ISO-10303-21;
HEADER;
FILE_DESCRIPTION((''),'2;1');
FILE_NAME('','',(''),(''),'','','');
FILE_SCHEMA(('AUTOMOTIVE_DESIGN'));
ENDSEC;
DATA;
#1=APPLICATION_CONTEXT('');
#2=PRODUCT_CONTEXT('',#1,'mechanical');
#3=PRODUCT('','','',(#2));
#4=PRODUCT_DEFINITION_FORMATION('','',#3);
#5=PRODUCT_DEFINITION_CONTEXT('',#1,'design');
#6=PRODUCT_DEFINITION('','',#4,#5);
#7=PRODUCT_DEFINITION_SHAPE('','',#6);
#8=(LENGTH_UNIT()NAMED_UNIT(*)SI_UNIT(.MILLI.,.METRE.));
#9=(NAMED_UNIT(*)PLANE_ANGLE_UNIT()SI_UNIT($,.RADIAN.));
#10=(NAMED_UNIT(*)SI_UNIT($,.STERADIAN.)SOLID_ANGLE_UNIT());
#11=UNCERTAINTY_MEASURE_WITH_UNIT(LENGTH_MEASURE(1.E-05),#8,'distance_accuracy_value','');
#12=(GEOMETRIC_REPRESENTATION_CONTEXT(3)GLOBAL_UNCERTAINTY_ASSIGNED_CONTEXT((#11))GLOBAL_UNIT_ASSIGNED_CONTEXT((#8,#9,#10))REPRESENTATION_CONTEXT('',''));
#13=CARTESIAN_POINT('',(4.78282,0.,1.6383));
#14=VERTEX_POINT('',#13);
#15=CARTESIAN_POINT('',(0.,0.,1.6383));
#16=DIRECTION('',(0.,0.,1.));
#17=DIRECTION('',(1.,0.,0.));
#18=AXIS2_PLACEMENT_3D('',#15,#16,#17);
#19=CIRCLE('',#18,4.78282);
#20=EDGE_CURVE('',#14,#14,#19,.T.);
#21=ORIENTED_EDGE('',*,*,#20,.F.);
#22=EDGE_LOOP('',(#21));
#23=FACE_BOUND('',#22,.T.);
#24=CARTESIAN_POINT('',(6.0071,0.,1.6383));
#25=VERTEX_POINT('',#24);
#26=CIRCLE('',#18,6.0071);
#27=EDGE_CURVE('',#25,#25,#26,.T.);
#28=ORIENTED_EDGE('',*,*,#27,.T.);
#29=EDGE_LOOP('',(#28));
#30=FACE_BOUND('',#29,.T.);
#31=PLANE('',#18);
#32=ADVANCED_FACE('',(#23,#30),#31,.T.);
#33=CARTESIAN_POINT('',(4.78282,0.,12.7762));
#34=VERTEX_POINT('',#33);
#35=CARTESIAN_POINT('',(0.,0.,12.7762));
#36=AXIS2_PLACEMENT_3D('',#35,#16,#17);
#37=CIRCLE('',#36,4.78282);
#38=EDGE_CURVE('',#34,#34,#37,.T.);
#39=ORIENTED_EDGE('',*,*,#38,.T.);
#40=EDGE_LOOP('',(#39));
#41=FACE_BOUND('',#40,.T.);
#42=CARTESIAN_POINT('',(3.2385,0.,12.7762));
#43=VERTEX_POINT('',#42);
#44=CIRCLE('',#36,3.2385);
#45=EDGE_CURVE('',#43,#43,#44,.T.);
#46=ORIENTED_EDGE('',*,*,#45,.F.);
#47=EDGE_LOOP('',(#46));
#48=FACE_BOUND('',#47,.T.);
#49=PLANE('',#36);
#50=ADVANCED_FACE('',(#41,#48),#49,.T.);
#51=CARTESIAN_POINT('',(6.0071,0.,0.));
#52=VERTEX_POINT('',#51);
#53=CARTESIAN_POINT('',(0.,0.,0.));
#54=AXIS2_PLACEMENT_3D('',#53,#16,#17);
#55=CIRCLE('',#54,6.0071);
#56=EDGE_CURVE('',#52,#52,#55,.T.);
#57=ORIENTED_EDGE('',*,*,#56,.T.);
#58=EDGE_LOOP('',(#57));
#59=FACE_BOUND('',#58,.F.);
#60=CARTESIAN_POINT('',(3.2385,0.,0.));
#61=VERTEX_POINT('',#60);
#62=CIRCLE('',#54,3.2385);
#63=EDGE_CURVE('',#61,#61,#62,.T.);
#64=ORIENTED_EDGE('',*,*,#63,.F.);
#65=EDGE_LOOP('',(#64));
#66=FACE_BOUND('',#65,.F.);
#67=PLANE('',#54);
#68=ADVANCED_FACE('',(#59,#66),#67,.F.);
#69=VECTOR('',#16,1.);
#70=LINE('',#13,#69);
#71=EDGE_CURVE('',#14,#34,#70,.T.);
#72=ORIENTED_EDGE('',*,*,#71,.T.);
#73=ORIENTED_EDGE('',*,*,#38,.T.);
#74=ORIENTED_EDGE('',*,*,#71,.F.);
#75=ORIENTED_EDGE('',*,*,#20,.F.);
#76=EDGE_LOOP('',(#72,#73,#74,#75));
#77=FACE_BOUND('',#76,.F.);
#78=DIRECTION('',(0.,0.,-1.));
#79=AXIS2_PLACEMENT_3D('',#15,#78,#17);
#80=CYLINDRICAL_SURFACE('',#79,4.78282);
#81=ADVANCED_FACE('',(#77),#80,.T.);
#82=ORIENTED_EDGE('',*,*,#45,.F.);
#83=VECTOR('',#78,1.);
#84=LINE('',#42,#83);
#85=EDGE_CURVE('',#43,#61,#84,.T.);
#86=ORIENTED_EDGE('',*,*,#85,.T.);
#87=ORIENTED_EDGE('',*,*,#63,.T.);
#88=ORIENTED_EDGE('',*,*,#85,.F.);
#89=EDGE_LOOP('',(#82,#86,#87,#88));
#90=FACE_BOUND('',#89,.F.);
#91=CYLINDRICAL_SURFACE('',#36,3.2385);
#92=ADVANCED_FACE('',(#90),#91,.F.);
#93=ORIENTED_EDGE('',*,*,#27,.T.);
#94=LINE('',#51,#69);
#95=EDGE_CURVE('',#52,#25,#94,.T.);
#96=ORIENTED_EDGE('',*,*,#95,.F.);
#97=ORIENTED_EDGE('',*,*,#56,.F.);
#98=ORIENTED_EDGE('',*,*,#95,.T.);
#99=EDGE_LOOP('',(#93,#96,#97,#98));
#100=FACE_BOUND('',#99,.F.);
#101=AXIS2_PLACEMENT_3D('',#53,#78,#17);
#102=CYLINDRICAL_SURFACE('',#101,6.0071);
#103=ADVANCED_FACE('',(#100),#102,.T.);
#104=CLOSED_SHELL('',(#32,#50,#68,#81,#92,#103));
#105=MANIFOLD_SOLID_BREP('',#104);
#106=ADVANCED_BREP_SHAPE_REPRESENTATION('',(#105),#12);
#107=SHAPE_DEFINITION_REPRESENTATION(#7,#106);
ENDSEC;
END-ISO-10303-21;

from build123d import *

# Parameters (mm, degrees)
SKETCH_R     = 6.0071
PAD_DEPTH    = 1.6383
SKETCH001_R  = 4.78282
PAD001_DEPTH = 11.1379
SKETCH002_R  = 3.2385
POCKET_DEPTH = 12.7772


with BuildPart() as part:
    # Sketch → Pad (new body)
    with BuildSketch(Plane.XY):
        Circle(SKETCH_R)
    extrude(amount=PAD_DEPTH)

    # Sketch001 → Pad001 (new body)
    with BuildSketch(Plane.XY.offset(1.6383)):
        Circle(SKETCH001_R)
    extrude(amount=PAD001_DEPTH)

    # Sketch002 → Pocket (cut, through all)
    with BuildSketch(Plane.XY.offset(12.7762)):
        Circle(SKETCH002_R)
    extrude(amount=-POCKET_DEPTH, mode=Mode.SUBTRACT)


solid = part.part
